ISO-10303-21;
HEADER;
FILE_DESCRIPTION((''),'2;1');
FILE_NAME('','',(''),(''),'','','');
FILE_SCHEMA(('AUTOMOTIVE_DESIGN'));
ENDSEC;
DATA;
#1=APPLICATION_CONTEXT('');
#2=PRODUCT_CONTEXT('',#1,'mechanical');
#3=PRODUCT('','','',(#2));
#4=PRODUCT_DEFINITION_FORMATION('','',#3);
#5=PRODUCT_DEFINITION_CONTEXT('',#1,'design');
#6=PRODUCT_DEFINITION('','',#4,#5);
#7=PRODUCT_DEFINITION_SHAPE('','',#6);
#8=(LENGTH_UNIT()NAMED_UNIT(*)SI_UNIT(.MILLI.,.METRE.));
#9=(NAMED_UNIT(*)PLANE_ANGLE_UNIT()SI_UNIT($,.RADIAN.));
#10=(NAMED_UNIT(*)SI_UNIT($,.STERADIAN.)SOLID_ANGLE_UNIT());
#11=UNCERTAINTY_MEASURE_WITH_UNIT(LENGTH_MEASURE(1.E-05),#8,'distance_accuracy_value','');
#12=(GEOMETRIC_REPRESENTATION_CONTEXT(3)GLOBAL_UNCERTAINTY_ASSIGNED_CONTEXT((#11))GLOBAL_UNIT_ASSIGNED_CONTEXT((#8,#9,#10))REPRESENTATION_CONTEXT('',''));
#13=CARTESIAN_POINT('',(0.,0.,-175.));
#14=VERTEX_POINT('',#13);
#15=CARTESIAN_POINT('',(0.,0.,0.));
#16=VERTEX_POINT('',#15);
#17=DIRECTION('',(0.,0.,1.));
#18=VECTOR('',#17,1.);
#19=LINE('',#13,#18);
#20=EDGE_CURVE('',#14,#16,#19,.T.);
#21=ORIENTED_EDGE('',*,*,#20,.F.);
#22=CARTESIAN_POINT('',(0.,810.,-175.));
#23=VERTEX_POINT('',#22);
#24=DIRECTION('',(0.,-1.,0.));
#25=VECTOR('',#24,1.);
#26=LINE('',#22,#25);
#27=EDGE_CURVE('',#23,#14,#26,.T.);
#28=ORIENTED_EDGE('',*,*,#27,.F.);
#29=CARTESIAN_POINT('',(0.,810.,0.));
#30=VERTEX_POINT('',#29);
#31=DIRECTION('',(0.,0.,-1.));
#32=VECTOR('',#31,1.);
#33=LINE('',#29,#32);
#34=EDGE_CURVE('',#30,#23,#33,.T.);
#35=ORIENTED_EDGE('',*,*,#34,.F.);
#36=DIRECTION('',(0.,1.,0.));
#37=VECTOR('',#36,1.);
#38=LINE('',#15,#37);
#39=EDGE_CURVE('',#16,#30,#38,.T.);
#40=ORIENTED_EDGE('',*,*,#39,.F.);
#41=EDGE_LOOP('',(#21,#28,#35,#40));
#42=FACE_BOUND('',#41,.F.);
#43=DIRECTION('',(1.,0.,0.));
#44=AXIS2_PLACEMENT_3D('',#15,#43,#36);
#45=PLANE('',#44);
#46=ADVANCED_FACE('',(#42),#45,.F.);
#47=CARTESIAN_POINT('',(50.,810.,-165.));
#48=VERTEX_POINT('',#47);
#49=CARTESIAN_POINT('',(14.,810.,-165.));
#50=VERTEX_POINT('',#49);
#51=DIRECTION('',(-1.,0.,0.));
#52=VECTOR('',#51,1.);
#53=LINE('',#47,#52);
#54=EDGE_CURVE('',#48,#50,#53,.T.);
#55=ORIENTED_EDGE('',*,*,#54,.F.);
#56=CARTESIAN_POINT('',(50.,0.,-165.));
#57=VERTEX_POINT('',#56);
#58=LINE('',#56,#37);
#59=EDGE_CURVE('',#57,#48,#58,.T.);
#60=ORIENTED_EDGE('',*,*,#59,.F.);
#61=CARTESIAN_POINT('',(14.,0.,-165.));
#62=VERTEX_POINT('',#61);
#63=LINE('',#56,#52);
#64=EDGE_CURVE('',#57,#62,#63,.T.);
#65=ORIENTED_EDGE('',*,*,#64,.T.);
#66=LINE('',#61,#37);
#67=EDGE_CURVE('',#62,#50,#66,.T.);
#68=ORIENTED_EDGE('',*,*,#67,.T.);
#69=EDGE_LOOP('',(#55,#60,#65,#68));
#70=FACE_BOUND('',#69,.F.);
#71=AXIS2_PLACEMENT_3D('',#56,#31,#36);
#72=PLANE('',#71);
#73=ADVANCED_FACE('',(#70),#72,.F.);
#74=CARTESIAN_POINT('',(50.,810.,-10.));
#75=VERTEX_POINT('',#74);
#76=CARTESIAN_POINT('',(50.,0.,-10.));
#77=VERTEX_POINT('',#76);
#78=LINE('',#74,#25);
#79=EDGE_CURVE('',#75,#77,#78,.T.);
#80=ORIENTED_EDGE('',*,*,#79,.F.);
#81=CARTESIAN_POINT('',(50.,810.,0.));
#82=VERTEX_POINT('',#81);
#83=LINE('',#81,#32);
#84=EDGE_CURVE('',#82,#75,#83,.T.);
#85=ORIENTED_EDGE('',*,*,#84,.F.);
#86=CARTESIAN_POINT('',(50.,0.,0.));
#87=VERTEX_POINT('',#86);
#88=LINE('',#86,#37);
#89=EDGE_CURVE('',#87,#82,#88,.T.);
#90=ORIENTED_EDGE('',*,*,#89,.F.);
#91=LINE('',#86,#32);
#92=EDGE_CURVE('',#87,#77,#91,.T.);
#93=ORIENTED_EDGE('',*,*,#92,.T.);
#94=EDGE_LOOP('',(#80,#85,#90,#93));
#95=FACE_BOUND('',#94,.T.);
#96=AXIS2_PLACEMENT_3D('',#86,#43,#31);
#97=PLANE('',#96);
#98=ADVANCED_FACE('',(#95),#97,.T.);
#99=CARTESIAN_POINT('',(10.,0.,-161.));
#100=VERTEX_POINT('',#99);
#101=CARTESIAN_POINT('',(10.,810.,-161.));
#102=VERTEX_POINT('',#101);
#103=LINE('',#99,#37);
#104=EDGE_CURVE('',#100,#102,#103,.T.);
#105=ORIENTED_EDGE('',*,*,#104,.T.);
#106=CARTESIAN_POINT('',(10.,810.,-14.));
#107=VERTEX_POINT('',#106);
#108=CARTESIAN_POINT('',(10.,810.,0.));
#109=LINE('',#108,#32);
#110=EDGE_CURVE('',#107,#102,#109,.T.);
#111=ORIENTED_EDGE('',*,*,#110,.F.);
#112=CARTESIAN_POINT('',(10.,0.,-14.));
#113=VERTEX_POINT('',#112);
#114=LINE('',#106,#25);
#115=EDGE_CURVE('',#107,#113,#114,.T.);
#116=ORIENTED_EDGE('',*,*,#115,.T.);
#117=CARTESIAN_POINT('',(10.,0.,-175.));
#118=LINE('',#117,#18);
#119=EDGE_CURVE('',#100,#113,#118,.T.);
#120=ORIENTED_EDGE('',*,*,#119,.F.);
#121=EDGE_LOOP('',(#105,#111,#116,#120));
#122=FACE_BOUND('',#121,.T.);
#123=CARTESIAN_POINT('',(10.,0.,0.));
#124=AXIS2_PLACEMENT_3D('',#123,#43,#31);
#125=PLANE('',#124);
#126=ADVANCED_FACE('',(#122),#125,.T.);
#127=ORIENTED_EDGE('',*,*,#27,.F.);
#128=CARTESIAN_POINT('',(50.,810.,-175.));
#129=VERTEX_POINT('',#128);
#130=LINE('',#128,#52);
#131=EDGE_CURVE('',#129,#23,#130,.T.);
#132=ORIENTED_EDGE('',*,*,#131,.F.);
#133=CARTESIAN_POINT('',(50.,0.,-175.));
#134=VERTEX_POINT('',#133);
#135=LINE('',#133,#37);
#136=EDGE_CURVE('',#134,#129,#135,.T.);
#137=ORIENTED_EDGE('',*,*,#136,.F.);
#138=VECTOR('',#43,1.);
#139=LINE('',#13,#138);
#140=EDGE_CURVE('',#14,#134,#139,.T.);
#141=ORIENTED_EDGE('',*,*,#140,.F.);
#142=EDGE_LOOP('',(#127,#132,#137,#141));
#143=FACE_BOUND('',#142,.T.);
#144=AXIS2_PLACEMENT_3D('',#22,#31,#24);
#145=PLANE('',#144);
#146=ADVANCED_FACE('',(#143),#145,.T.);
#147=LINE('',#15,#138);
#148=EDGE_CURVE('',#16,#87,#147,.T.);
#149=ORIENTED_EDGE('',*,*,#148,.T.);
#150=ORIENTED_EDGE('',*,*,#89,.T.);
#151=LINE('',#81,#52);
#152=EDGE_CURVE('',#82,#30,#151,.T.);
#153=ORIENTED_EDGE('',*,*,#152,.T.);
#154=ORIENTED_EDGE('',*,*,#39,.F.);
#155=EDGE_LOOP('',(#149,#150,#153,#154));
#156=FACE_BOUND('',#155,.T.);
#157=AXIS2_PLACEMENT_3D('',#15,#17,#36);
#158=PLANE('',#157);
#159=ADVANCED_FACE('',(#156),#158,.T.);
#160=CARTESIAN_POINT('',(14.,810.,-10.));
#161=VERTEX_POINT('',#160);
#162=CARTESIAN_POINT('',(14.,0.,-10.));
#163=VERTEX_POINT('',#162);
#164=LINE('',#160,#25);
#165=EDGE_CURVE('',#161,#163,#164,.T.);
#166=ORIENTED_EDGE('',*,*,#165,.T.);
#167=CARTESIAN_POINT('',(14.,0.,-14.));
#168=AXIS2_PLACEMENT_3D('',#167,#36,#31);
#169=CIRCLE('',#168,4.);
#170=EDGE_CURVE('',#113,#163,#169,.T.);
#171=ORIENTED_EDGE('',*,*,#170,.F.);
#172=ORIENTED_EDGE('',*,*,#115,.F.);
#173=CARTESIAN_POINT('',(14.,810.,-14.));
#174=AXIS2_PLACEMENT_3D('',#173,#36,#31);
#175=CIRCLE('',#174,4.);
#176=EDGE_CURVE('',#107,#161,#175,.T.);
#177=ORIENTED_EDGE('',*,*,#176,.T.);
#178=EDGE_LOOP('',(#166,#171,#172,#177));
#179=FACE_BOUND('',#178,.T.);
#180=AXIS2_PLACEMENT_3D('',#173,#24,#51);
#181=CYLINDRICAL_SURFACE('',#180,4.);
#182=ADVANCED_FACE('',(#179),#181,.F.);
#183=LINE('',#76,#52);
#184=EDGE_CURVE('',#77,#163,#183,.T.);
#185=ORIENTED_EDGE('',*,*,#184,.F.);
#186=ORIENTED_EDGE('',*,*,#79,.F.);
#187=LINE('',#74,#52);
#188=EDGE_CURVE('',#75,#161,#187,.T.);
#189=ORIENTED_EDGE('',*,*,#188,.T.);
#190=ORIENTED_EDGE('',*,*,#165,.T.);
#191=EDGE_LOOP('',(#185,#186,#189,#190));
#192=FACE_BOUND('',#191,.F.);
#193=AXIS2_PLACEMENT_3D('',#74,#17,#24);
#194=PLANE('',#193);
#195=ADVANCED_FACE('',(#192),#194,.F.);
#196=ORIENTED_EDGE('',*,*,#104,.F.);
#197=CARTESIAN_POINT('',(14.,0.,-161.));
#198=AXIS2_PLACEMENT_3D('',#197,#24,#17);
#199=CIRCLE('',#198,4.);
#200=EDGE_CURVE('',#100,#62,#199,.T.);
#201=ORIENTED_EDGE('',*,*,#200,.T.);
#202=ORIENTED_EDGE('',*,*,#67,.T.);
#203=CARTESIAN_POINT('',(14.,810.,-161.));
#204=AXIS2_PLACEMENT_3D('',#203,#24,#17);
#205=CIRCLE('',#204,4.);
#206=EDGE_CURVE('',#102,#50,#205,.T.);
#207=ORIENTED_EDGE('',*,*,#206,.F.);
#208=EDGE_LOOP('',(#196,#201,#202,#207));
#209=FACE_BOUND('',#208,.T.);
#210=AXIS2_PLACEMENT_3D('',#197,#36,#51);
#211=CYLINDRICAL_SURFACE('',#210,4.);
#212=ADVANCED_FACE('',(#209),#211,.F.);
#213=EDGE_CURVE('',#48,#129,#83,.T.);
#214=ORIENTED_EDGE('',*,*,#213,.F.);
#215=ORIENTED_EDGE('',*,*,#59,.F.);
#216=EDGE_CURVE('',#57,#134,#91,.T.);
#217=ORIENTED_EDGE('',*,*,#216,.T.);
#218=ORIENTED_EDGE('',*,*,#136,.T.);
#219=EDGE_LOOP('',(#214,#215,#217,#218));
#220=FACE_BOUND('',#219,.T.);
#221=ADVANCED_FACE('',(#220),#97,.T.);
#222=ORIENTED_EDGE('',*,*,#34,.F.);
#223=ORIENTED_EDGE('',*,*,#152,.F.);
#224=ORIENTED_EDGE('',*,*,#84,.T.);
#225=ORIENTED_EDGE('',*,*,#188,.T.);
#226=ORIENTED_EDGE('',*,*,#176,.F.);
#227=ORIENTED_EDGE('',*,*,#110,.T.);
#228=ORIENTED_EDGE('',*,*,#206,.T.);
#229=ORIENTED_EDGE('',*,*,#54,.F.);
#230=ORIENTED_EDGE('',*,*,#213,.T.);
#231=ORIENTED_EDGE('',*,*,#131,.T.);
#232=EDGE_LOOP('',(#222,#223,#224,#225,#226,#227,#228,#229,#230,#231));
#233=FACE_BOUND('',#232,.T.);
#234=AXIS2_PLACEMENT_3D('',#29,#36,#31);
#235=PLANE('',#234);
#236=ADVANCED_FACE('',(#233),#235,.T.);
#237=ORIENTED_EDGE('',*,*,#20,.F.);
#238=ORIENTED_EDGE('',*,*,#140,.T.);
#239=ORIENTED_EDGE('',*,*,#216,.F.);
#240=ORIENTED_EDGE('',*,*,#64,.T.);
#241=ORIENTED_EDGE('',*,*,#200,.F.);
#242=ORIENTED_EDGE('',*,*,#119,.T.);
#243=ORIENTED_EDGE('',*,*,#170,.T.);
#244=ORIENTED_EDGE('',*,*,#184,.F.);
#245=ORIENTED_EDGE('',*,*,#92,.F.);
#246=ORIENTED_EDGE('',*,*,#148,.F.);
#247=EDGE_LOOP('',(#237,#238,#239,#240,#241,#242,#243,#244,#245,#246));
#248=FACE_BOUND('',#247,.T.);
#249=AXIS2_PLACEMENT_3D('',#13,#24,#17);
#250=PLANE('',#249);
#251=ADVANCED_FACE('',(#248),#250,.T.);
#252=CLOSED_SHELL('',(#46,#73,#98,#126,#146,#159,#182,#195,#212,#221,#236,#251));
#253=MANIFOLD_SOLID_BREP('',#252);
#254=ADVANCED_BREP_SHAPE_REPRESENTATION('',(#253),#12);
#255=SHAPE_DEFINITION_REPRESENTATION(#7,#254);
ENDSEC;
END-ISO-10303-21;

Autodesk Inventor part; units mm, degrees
ref_plane "YZ Plane" through (0, 0, 0) normal (1, 0, 0) x (0, 1, 0)
ref_plane "XZ Plane" through (0, 0, 0) normal (0, 1, 0) x (-1, 0, 0)
ref_plane "XY Plane" through (0, 0, 0) normal (0, 0, 1) x (1, 0, 0)
sketch "Sketch1" plane through (0, 0, 0) normal (1, 0, 0) x (0, 1, 0)
  line L0 (0, 0) -> (810, 0)
  line L1 (810, 0) -> (810, -175)
  line L2 (810, -175) -> (0, -175)
  line L3 (0, -175) -> (0, 0)
extrude "Extrusion1" add sketch "Sketch1" along normal blind 10
sketch "Sketch2" plane through (10, 0, 0) normal (1, 0, 0) x (0, 0, -1)
  line L0 (0, 810) -> (0, 0) projected
  line L1 (175, 0) -> (175, 810) projected
  line L2 (0, 0) -> (175, 0)
  line L3 (175, 0) -> (175, 10)
  line L4 (175, 10) -> (0, 10)
  line L5 (0, 10) -> (0, 0)
  line L6 (175, 810) -> (0, 810) projected
  line L7 (0, 10) -> (10, 10)
  line L8 (10, 10) -> (10, 810)
  line L9 (10, 810) -> (0, 810)
  line L10 (0, 810) -> (0, 10)
  line L11 (10, 810) -> (175, 810)
  line L12 (175, 810) -> (175, 800)
  line L13 (175, 800) -> (10, 800)
  line L14 (10, 800) -> (10, 810)
  line L15 (175, 800) -> (165, 800)
  line L16 (165, 800) -> (165, 10)
  line L17 (165, 10) -> (175, 10)
  line L18 (175, 10) -> (175, 800)
  dimension "d4" = 10
  dimension "d5" = 10
  dimension "d6" = 10
  dimension "d7" = 10
extrude "Extrusion2" add sketch "Sketch2" along normal blind 40
sketch "Sketch3" plane through (50, 0, 0) normal (1, 0, 0) x (0, 0, -1)
  line L0 (175, 0) -> (0, 0) projected
  line L1 (0, 810) -> (175, 810) projected
  line L2 (10, 0) -> (165, 0)
  line L3 (165, 0) -> (165, 810)
  line L4 (165, 810) -> (10, 810)
  line L5 (10, 810) -> (10, 0)
  dimension "d10" = 155
extrude "Extrusion3" cut sketch "Sketch3" against normal blind 40
fillet "Fillet1" radius 4 1 edges at (10, 405, -165)
fillet "Fillet2" radius 4 1 edges at (10, 405, -10)
equation "\"BendRadius\" = Thickness"
equation "\"BendReliefWidth\" = Thickness"
equation "\"BendReliefDepth\" = 0.5 * Thickness"
equation "\"CornerReliefSize\" = 4 * Thickness"
equation "\"MinimumRemnant\" = 2 * Thickness"
equation "\"TransitionRadius\" = BendRadius"
equation "\"JacobiRadiusSize\" = BendRadius"
equation "\"GapSize\" = Thickness"
equation "\"Thickness\" = 0.5"
properties part number "Base1"
